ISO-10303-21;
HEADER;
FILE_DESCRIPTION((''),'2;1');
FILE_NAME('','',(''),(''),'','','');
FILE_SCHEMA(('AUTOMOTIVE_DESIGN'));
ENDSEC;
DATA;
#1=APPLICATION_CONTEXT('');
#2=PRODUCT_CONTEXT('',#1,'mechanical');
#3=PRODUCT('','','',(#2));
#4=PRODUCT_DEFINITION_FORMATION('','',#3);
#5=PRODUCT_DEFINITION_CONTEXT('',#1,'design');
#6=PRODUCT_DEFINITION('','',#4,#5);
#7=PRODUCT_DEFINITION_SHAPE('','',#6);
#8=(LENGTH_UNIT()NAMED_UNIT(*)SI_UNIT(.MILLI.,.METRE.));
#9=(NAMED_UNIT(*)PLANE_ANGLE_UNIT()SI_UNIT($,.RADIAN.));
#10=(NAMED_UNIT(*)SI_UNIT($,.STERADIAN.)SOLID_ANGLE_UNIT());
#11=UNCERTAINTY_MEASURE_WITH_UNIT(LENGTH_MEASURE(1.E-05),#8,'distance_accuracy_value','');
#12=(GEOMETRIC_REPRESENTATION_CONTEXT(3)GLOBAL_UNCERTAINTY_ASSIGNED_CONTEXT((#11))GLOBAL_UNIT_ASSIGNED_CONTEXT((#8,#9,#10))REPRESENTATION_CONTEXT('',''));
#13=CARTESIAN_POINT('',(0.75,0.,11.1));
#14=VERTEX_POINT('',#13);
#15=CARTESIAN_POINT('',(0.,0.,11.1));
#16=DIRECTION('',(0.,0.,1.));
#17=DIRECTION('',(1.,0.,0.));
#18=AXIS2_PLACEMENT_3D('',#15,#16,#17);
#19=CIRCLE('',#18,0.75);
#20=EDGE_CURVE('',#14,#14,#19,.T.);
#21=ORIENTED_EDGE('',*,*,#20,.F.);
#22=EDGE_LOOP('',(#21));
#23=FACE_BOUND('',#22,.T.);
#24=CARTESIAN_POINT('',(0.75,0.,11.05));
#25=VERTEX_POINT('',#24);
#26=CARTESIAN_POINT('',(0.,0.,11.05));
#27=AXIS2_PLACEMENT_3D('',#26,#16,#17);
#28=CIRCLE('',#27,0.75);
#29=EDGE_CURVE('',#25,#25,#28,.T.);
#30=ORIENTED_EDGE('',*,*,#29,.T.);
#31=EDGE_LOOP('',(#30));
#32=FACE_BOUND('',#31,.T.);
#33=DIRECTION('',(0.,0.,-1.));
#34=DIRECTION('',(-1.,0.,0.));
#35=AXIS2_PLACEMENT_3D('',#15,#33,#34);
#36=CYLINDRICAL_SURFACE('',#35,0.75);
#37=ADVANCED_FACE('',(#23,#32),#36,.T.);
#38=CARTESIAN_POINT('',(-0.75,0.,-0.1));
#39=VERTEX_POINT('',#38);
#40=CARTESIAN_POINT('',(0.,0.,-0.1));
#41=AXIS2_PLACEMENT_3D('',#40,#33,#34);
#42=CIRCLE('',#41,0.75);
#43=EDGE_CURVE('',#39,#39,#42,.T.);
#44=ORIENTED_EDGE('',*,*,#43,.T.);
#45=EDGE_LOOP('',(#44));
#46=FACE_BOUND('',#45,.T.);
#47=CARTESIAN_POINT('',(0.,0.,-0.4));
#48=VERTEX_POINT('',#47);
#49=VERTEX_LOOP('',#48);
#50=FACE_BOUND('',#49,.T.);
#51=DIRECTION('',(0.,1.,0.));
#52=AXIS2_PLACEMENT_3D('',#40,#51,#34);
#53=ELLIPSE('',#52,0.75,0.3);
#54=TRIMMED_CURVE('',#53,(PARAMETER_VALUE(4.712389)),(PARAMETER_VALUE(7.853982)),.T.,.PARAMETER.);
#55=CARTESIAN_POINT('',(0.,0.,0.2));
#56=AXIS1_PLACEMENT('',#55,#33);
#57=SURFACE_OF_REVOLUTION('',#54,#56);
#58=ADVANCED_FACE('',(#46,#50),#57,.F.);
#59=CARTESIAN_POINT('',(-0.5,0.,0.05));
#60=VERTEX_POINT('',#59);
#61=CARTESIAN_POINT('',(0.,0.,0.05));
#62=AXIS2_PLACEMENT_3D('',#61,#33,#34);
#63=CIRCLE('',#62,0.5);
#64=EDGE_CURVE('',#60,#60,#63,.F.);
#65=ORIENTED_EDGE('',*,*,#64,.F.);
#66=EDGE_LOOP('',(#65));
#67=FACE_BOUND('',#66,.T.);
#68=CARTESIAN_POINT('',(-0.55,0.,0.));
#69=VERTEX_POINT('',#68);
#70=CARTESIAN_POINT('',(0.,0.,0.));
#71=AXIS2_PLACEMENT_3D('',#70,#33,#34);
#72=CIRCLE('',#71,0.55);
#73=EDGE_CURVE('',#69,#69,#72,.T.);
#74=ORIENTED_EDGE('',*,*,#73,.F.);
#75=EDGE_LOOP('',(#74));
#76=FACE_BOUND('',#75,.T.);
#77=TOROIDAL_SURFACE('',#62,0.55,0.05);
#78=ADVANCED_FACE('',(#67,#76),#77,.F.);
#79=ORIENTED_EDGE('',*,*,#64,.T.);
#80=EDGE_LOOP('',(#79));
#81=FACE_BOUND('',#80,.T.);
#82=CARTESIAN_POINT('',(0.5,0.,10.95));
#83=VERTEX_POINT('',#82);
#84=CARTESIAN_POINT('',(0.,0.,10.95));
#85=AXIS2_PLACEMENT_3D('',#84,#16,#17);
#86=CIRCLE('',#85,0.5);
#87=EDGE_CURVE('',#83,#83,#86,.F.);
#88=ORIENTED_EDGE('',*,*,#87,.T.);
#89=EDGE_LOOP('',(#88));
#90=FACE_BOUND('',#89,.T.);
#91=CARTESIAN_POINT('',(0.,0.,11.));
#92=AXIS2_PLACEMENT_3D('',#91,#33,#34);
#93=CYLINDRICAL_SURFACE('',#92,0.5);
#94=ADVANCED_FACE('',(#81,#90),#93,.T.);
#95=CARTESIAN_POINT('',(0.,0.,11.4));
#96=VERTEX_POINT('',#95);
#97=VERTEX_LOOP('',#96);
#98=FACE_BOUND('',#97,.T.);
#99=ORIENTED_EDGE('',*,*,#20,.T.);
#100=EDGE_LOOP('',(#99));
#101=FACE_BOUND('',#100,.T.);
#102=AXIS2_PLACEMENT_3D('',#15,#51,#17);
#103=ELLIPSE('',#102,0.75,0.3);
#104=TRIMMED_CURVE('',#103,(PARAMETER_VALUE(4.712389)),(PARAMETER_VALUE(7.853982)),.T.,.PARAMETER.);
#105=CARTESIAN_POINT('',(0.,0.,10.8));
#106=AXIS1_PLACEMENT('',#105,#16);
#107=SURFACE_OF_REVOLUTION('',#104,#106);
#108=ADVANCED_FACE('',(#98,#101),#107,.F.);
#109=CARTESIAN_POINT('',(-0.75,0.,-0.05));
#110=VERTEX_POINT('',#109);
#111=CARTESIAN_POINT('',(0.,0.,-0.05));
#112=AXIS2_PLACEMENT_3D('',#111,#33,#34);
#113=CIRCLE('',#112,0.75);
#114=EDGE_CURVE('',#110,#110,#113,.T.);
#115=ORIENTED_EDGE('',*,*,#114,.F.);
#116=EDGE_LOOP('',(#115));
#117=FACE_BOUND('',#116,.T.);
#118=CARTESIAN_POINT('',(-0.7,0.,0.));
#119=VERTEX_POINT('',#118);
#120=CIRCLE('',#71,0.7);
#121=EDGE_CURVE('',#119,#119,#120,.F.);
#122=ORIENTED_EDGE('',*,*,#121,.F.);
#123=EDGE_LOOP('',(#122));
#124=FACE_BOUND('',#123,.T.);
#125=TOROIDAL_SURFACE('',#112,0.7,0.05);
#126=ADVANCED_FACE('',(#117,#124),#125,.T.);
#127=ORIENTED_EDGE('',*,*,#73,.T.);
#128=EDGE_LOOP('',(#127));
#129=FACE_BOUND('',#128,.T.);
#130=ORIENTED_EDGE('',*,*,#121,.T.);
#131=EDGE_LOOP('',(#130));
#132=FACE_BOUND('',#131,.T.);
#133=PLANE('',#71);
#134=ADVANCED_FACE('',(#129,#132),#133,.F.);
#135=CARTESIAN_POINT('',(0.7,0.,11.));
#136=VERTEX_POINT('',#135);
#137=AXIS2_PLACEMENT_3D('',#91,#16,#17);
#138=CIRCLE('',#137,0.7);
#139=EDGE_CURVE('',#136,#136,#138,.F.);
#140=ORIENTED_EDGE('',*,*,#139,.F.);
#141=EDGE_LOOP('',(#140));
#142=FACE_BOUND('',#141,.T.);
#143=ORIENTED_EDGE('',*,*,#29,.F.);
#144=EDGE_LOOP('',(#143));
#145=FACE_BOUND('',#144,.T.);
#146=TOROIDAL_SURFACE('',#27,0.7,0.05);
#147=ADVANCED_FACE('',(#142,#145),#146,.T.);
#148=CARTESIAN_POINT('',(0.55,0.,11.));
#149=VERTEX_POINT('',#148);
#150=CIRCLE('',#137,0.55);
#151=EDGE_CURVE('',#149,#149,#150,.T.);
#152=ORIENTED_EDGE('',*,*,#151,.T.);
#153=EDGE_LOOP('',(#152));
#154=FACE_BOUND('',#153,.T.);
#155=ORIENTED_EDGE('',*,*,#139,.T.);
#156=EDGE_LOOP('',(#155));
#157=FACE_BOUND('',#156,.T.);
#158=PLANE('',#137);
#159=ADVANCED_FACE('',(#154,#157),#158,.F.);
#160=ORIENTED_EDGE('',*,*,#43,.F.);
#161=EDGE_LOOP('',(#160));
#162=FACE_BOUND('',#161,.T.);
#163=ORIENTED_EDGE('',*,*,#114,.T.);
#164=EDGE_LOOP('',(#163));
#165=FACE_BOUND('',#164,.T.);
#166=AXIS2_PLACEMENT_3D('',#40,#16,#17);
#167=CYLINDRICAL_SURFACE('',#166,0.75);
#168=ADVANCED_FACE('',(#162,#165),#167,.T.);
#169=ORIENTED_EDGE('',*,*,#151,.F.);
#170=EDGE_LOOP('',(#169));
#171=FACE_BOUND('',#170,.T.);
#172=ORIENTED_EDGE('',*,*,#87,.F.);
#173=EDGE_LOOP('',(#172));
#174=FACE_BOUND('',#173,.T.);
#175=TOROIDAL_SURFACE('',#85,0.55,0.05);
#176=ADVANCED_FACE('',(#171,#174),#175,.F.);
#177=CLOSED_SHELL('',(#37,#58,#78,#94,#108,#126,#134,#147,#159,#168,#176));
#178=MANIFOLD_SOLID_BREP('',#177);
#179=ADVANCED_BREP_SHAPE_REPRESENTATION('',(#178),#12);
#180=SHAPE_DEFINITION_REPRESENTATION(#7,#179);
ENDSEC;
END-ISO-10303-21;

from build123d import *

# Parameters (mm, degrees)
SKETCH1_R           = 0.5
BOSS_EXTRUDE1_DEPTH = 11
SKETCH2_R           = 0.75
BOSS_EXTRUDE2_DEPTH = 0.1
BOSS_EXTRUDE3_START = 0.1
SKETCH3_R           = 0.75
BOSS_EXTRUDE3_DEPTH = 0.1
DOME1_FACE_RADIUS   = 0.75
DOME1_HEIGHT        = 0.3
DOME2_FACE_RADIUS   = 0.75
DOME2_HEIGHT        = 0.3
FILLET2_R           = 0.05


with BuildPart() as part:
    # Sketch1 → Boss-Extrude1 (new body)
    with BuildSketch(Plane.XY):
        Circle(SKETCH1_R)
    extrude(amount=BOSS_EXTRUDE1_DEPTH)

    # Sketch2 → Boss-Extrude2 (add)
    with BuildSketch(Plane.XY.offset(11)):
        Circle(SKETCH2_R)
    extrude(amount=BOSS_EXTRUDE2_DEPTH)

    # Sketch3 → Boss-Extrude3 (add)
    with BuildSketch(Plane(origin=(0, 0, 0), x_dir=(-1, 0, 0), z_dir=(0, 0, -1)).offset(BOSS_EXTRUDE3_START)):
        Circle(SKETCH3_R)
    extrude(amount=-BOSS_EXTRUDE3_DEPTH)

    # Dome1: an elliptical dome of height H over a round flat face of radius A is half a spheroid: the quarter ellipse of half axes A and H revolved about the face's axis
    with BuildSketch(Plane((0, 0, -0.1), x_dir=(0, -1, 0), z_dir=(1, 0, 0)), mode=Mode.PRIVATE) as dome1_quarter:
        Ellipse(DOME1_FACE_RADIUS, DOME1_HEIGHT)
        Rectangle(DOME1_FACE_RADIUS, DOME1_HEIGHT, align=(Align.MIN, Align.MIN), mode=Mode.INTERSECT)
    revolve(dome1_quarter.sketch, axis=Axis((0, 0, -0.1), (0, 0, -1)))

    # Dome2: an elliptical dome of height H over a round flat face of radius A is half a spheroid: the quarter ellipse of half axes A and H revolved about the face's axis
    with BuildSketch(Plane((0, 0, 11.1), x_dir=(0, 1, 0), z_dir=(1, 0, 0)), mode=Mode.PRIVATE) as dome2_quarter:
        Ellipse(DOME2_FACE_RADIUS, DOME2_HEIGHT)
        Rectangle(DOME2_FACE_RADIUS, DOME2_HEIGHT, align=(Align.MIN, Align.MIN), mode=Mode.INTERSECT)
    revolve(dome2_quarter.sketch, axis=Axis((0, 0, 11.1), (0, 0, 1)))

    # Fillet2
    fillet2_edges = [part.edges().sort_by_distance(p)[0] for p in [
        (-0.5, 0, 11),
        (-0.75, 0, 11),
        (-0.5, 0, 0),
        (0.75, 0, 0),
    ]]
    fillet(fillet2_edges, radius=FILLET2_R)


solid = part.part
